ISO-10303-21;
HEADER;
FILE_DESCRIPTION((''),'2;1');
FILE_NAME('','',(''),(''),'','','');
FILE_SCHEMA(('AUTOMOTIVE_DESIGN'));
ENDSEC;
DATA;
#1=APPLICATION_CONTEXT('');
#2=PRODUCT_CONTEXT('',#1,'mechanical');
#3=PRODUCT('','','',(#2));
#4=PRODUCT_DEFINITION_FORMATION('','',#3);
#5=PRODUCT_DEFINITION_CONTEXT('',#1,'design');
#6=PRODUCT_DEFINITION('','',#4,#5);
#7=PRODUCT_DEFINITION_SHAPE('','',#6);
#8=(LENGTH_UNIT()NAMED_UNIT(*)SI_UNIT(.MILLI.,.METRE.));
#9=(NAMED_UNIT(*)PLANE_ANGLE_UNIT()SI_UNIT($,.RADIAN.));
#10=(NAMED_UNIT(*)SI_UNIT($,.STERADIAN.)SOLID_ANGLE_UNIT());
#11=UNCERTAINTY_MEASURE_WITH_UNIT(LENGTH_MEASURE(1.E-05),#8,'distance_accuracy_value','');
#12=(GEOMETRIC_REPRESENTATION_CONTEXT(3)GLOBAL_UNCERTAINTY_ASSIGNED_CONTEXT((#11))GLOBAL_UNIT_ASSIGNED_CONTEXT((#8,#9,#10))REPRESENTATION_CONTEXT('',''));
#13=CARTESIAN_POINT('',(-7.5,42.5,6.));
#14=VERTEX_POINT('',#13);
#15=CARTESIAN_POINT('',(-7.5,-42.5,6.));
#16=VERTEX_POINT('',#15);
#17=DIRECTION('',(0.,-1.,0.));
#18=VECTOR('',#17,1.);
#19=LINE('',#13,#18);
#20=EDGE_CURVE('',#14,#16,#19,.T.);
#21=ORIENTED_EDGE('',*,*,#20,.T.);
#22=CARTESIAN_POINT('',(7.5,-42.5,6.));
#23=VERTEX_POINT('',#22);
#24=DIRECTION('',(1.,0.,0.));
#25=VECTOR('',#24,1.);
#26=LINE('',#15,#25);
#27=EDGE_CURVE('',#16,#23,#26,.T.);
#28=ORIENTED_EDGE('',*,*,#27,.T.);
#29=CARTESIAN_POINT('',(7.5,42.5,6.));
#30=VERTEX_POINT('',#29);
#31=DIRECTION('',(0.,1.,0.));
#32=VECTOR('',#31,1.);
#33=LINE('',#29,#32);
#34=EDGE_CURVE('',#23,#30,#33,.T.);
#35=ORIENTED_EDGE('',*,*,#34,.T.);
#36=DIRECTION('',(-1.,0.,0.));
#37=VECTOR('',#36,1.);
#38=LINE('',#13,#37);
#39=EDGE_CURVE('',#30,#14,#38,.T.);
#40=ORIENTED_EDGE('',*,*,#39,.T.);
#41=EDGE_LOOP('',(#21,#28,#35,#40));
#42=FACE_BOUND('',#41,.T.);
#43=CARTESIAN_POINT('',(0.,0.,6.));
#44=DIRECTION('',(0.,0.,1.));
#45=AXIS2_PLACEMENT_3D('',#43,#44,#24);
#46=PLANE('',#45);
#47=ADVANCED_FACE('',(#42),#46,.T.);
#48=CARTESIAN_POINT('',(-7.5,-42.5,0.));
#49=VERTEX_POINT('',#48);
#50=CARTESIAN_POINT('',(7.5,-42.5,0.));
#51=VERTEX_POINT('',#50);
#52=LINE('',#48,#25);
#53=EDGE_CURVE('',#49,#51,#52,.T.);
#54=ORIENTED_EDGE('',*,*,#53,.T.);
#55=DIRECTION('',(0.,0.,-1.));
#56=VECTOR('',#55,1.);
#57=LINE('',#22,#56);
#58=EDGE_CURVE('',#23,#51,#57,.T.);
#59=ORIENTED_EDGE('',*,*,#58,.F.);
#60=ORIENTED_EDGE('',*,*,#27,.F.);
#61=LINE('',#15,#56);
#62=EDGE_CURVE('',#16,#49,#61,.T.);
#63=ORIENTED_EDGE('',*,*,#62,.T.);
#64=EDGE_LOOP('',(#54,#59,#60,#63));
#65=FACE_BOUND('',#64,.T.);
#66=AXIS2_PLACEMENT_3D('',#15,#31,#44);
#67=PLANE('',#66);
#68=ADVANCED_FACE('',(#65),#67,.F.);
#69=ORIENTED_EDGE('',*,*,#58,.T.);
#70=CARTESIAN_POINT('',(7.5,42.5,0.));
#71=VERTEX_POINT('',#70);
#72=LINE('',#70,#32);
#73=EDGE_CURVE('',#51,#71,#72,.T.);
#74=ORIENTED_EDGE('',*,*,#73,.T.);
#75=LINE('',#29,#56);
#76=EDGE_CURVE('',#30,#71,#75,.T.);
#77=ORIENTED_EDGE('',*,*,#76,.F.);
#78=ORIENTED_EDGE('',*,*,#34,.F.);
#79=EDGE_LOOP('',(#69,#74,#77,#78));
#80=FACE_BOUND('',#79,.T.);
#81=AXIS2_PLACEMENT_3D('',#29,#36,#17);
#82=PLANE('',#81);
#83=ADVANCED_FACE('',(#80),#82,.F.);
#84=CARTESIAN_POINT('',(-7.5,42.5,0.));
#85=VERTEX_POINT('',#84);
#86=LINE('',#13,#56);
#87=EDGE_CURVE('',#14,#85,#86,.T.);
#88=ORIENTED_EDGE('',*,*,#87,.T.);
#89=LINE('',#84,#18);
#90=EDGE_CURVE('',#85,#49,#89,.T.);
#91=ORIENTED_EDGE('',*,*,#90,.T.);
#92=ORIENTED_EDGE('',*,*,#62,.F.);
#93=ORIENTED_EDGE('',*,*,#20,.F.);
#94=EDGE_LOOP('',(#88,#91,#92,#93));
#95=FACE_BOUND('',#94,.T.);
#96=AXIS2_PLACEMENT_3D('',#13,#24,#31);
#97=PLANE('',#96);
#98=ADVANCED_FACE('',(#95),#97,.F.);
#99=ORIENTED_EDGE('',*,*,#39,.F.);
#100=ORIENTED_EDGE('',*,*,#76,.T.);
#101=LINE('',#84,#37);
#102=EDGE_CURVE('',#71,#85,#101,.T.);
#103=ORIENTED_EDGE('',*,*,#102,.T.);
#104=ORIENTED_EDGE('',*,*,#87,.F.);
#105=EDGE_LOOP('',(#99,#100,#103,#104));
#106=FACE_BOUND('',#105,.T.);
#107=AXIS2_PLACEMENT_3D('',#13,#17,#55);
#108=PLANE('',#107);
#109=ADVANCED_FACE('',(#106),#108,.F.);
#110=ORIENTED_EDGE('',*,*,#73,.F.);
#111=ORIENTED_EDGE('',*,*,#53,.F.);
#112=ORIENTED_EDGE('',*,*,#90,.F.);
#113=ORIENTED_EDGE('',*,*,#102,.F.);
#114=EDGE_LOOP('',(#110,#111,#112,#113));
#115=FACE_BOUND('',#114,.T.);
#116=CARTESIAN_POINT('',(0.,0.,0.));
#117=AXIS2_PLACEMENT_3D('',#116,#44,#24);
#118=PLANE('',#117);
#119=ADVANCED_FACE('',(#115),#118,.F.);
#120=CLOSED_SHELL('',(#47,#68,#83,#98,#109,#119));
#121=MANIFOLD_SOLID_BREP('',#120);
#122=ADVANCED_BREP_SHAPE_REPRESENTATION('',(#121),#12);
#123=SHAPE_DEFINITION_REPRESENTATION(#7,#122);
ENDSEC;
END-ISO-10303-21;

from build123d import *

# Parameters (mm, degrees)
ESQUISSE1_W        = 15
ESQUISSE1_H        = 85
BOSS_EXTRU_1_DEPTH = 6


with BuildPart() as part:
    # Esquisse1 → Boss.-Extru.1 (new body)
    with BuildSketch(Plane.XY):
        Rectangle(ESQUISSE1_W, ESQUISSE1_H)
    extrude(amount=BOSS_EXTRU_1_DEPTH)


solid = part.part
